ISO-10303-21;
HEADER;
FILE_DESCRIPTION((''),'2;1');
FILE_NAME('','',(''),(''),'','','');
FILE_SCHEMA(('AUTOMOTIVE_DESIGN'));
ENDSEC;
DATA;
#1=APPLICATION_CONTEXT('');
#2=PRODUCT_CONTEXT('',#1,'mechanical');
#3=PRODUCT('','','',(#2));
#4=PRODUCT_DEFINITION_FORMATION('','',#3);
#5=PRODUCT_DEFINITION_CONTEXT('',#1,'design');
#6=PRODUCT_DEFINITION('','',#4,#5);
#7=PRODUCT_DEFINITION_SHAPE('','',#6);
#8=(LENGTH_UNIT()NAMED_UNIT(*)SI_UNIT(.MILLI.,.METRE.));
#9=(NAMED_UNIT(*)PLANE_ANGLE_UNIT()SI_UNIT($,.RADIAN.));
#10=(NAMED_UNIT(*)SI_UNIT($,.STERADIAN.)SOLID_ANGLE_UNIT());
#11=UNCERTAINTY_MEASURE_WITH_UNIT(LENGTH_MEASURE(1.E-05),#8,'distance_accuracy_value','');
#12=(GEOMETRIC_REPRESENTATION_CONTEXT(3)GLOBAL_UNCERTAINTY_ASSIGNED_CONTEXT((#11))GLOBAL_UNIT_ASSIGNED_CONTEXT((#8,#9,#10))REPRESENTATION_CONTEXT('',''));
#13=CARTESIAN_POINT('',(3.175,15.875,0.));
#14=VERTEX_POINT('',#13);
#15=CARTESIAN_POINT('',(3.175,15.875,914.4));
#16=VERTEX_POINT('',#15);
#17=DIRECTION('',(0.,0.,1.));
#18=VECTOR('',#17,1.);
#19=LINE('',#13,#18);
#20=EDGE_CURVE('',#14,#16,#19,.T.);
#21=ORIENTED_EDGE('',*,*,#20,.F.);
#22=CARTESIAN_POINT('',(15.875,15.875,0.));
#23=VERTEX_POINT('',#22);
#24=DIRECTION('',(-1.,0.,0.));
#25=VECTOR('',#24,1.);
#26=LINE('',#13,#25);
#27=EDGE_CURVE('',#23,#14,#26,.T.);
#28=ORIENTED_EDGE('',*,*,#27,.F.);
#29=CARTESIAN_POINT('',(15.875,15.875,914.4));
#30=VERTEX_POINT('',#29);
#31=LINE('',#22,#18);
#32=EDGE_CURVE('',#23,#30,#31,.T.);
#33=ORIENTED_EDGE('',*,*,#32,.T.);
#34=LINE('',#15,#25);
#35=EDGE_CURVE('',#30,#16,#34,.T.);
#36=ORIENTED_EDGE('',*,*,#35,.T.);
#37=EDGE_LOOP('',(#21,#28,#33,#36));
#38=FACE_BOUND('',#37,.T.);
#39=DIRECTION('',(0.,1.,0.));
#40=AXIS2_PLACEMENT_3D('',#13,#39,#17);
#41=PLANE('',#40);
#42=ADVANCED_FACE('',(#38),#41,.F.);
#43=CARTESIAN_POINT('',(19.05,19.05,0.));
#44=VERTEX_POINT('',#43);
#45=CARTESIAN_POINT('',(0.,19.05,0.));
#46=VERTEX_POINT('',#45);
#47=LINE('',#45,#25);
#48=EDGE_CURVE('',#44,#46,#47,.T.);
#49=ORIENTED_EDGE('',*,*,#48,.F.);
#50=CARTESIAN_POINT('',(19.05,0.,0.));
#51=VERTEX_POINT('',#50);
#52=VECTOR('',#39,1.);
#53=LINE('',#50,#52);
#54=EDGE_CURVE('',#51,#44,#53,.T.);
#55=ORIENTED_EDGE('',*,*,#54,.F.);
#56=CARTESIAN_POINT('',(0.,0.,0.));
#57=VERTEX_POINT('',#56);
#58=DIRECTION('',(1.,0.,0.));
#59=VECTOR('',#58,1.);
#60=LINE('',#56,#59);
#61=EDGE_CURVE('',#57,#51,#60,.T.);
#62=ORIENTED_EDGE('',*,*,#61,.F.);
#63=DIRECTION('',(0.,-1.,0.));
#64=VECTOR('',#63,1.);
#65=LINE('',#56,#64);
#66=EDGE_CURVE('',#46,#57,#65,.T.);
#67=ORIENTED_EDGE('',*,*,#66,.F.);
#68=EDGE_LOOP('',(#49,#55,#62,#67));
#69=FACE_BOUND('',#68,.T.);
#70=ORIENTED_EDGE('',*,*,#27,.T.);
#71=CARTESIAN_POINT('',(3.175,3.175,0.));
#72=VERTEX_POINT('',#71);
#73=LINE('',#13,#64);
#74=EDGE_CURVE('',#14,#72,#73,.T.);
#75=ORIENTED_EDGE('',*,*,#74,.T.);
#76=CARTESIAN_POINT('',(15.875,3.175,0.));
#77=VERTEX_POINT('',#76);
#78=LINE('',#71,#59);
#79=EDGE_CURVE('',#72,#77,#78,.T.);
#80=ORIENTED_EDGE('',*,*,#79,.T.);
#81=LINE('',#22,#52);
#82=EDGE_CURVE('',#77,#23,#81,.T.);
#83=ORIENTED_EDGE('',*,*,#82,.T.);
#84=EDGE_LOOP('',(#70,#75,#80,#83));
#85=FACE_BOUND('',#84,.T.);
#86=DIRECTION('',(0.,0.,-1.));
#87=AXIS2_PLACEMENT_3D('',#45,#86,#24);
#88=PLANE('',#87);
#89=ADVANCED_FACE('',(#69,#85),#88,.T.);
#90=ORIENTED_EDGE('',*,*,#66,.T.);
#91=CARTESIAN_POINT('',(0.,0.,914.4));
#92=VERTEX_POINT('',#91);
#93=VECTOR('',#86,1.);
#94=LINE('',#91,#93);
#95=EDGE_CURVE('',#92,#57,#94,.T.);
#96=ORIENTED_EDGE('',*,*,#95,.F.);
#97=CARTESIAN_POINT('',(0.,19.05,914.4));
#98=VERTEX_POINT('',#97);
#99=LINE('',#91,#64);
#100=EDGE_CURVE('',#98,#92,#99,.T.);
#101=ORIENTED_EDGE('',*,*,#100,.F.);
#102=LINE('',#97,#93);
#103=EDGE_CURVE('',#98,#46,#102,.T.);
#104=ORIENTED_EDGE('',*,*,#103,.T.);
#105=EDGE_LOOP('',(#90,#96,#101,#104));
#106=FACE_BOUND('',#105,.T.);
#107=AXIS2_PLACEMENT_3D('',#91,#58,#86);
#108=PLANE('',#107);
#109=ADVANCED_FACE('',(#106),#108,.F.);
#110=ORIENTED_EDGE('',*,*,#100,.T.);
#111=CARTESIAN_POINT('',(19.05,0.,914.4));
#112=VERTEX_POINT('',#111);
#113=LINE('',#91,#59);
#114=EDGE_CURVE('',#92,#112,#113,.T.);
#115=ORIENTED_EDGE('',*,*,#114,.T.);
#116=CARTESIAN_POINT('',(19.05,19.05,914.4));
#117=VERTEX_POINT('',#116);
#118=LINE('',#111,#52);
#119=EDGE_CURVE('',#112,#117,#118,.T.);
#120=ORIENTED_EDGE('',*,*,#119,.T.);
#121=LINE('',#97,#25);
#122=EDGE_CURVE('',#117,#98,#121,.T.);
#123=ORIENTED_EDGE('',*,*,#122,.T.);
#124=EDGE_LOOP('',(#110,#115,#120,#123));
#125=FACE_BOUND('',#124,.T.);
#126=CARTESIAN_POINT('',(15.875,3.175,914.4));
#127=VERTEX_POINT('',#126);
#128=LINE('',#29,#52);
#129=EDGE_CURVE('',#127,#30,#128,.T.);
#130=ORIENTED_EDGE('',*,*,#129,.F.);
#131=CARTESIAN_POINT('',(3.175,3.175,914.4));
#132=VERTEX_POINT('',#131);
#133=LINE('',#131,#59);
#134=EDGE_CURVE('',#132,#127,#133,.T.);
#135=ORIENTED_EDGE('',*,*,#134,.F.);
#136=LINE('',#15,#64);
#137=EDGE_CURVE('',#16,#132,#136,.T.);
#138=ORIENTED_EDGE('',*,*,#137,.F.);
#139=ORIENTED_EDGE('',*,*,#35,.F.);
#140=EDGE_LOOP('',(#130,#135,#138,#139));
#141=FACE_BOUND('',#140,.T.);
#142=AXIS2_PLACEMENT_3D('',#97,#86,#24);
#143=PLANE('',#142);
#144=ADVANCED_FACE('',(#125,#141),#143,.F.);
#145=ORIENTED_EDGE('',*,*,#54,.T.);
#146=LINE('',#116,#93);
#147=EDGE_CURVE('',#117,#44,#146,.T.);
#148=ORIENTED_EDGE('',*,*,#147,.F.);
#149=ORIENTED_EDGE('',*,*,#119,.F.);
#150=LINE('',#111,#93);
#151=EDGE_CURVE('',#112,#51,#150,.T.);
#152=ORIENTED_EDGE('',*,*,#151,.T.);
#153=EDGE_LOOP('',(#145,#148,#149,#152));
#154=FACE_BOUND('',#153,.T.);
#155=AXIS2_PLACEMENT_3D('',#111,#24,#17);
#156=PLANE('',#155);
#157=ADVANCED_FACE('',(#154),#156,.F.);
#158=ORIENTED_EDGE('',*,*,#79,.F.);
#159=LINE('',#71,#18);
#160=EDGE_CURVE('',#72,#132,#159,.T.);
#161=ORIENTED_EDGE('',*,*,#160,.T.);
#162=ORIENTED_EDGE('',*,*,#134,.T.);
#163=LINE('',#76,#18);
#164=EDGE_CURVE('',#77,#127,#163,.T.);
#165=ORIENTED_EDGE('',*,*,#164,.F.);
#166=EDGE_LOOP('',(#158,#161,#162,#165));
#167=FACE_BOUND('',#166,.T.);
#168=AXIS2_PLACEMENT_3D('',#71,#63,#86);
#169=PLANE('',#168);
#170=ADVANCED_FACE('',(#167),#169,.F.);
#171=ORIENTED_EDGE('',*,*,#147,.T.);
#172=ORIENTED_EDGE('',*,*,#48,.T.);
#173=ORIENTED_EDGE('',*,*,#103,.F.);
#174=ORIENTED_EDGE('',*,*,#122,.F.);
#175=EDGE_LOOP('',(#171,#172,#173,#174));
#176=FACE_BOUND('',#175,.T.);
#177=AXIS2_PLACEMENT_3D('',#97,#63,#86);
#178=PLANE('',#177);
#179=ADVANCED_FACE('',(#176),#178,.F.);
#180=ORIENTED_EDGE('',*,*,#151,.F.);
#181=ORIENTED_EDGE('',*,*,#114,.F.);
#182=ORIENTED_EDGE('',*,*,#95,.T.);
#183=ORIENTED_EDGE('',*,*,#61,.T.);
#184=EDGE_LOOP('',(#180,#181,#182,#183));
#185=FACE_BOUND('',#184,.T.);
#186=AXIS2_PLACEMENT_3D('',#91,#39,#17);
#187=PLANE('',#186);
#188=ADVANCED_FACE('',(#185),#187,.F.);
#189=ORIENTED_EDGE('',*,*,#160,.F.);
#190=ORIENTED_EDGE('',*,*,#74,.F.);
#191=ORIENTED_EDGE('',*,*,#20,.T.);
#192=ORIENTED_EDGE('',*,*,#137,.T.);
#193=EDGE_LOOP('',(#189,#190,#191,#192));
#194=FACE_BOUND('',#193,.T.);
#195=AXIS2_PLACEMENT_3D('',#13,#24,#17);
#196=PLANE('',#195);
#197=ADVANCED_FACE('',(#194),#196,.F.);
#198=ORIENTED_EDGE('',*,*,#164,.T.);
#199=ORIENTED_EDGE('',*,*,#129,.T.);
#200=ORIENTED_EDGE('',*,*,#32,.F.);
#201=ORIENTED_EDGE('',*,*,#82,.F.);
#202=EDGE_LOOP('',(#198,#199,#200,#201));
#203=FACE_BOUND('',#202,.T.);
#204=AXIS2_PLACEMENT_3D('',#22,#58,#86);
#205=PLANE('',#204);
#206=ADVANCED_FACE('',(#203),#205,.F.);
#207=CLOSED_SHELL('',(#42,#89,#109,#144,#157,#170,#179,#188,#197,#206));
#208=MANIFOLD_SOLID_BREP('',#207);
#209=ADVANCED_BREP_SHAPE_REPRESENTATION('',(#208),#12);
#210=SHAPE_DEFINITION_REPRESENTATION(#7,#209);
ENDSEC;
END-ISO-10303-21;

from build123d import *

# Parameters (mm, degrees)
SKETCH1_W           = 19.05
SKETCH1_H           = 19.05
BOSS_EXTRUDE1_DEPTH = 914.4
SKETCH3_W           = 12.7
SKETCH3_H           = 12.7
CUT_EXTRUDE1_DEPTH  = 915.79678891


with BuildPart() as part:
    # Sketch1 → Boss-Extrude1 (new body)
    with BuildSketch(Plane.XY):
        with Locations((9.525, 9.525)):
            Rectangle(SKETCH1_W, SKETCH1_H)
    extrude(amount=BOSS_EXTRUDE1_DEPTH)

    # Sketch3 → Cut-Extrude1 (cut, through all)
    with BuildSketch(Plane.XY.offset(914.4)):
        with Locations((9.525, 9.525)):
            Rectangle(SKETCH3_W, SKETCH3_H)
    extrude(amount=-CUT_EXTRUDE1_DEPTH, mode=Mode.SUBTRACT)


solid = part.part
